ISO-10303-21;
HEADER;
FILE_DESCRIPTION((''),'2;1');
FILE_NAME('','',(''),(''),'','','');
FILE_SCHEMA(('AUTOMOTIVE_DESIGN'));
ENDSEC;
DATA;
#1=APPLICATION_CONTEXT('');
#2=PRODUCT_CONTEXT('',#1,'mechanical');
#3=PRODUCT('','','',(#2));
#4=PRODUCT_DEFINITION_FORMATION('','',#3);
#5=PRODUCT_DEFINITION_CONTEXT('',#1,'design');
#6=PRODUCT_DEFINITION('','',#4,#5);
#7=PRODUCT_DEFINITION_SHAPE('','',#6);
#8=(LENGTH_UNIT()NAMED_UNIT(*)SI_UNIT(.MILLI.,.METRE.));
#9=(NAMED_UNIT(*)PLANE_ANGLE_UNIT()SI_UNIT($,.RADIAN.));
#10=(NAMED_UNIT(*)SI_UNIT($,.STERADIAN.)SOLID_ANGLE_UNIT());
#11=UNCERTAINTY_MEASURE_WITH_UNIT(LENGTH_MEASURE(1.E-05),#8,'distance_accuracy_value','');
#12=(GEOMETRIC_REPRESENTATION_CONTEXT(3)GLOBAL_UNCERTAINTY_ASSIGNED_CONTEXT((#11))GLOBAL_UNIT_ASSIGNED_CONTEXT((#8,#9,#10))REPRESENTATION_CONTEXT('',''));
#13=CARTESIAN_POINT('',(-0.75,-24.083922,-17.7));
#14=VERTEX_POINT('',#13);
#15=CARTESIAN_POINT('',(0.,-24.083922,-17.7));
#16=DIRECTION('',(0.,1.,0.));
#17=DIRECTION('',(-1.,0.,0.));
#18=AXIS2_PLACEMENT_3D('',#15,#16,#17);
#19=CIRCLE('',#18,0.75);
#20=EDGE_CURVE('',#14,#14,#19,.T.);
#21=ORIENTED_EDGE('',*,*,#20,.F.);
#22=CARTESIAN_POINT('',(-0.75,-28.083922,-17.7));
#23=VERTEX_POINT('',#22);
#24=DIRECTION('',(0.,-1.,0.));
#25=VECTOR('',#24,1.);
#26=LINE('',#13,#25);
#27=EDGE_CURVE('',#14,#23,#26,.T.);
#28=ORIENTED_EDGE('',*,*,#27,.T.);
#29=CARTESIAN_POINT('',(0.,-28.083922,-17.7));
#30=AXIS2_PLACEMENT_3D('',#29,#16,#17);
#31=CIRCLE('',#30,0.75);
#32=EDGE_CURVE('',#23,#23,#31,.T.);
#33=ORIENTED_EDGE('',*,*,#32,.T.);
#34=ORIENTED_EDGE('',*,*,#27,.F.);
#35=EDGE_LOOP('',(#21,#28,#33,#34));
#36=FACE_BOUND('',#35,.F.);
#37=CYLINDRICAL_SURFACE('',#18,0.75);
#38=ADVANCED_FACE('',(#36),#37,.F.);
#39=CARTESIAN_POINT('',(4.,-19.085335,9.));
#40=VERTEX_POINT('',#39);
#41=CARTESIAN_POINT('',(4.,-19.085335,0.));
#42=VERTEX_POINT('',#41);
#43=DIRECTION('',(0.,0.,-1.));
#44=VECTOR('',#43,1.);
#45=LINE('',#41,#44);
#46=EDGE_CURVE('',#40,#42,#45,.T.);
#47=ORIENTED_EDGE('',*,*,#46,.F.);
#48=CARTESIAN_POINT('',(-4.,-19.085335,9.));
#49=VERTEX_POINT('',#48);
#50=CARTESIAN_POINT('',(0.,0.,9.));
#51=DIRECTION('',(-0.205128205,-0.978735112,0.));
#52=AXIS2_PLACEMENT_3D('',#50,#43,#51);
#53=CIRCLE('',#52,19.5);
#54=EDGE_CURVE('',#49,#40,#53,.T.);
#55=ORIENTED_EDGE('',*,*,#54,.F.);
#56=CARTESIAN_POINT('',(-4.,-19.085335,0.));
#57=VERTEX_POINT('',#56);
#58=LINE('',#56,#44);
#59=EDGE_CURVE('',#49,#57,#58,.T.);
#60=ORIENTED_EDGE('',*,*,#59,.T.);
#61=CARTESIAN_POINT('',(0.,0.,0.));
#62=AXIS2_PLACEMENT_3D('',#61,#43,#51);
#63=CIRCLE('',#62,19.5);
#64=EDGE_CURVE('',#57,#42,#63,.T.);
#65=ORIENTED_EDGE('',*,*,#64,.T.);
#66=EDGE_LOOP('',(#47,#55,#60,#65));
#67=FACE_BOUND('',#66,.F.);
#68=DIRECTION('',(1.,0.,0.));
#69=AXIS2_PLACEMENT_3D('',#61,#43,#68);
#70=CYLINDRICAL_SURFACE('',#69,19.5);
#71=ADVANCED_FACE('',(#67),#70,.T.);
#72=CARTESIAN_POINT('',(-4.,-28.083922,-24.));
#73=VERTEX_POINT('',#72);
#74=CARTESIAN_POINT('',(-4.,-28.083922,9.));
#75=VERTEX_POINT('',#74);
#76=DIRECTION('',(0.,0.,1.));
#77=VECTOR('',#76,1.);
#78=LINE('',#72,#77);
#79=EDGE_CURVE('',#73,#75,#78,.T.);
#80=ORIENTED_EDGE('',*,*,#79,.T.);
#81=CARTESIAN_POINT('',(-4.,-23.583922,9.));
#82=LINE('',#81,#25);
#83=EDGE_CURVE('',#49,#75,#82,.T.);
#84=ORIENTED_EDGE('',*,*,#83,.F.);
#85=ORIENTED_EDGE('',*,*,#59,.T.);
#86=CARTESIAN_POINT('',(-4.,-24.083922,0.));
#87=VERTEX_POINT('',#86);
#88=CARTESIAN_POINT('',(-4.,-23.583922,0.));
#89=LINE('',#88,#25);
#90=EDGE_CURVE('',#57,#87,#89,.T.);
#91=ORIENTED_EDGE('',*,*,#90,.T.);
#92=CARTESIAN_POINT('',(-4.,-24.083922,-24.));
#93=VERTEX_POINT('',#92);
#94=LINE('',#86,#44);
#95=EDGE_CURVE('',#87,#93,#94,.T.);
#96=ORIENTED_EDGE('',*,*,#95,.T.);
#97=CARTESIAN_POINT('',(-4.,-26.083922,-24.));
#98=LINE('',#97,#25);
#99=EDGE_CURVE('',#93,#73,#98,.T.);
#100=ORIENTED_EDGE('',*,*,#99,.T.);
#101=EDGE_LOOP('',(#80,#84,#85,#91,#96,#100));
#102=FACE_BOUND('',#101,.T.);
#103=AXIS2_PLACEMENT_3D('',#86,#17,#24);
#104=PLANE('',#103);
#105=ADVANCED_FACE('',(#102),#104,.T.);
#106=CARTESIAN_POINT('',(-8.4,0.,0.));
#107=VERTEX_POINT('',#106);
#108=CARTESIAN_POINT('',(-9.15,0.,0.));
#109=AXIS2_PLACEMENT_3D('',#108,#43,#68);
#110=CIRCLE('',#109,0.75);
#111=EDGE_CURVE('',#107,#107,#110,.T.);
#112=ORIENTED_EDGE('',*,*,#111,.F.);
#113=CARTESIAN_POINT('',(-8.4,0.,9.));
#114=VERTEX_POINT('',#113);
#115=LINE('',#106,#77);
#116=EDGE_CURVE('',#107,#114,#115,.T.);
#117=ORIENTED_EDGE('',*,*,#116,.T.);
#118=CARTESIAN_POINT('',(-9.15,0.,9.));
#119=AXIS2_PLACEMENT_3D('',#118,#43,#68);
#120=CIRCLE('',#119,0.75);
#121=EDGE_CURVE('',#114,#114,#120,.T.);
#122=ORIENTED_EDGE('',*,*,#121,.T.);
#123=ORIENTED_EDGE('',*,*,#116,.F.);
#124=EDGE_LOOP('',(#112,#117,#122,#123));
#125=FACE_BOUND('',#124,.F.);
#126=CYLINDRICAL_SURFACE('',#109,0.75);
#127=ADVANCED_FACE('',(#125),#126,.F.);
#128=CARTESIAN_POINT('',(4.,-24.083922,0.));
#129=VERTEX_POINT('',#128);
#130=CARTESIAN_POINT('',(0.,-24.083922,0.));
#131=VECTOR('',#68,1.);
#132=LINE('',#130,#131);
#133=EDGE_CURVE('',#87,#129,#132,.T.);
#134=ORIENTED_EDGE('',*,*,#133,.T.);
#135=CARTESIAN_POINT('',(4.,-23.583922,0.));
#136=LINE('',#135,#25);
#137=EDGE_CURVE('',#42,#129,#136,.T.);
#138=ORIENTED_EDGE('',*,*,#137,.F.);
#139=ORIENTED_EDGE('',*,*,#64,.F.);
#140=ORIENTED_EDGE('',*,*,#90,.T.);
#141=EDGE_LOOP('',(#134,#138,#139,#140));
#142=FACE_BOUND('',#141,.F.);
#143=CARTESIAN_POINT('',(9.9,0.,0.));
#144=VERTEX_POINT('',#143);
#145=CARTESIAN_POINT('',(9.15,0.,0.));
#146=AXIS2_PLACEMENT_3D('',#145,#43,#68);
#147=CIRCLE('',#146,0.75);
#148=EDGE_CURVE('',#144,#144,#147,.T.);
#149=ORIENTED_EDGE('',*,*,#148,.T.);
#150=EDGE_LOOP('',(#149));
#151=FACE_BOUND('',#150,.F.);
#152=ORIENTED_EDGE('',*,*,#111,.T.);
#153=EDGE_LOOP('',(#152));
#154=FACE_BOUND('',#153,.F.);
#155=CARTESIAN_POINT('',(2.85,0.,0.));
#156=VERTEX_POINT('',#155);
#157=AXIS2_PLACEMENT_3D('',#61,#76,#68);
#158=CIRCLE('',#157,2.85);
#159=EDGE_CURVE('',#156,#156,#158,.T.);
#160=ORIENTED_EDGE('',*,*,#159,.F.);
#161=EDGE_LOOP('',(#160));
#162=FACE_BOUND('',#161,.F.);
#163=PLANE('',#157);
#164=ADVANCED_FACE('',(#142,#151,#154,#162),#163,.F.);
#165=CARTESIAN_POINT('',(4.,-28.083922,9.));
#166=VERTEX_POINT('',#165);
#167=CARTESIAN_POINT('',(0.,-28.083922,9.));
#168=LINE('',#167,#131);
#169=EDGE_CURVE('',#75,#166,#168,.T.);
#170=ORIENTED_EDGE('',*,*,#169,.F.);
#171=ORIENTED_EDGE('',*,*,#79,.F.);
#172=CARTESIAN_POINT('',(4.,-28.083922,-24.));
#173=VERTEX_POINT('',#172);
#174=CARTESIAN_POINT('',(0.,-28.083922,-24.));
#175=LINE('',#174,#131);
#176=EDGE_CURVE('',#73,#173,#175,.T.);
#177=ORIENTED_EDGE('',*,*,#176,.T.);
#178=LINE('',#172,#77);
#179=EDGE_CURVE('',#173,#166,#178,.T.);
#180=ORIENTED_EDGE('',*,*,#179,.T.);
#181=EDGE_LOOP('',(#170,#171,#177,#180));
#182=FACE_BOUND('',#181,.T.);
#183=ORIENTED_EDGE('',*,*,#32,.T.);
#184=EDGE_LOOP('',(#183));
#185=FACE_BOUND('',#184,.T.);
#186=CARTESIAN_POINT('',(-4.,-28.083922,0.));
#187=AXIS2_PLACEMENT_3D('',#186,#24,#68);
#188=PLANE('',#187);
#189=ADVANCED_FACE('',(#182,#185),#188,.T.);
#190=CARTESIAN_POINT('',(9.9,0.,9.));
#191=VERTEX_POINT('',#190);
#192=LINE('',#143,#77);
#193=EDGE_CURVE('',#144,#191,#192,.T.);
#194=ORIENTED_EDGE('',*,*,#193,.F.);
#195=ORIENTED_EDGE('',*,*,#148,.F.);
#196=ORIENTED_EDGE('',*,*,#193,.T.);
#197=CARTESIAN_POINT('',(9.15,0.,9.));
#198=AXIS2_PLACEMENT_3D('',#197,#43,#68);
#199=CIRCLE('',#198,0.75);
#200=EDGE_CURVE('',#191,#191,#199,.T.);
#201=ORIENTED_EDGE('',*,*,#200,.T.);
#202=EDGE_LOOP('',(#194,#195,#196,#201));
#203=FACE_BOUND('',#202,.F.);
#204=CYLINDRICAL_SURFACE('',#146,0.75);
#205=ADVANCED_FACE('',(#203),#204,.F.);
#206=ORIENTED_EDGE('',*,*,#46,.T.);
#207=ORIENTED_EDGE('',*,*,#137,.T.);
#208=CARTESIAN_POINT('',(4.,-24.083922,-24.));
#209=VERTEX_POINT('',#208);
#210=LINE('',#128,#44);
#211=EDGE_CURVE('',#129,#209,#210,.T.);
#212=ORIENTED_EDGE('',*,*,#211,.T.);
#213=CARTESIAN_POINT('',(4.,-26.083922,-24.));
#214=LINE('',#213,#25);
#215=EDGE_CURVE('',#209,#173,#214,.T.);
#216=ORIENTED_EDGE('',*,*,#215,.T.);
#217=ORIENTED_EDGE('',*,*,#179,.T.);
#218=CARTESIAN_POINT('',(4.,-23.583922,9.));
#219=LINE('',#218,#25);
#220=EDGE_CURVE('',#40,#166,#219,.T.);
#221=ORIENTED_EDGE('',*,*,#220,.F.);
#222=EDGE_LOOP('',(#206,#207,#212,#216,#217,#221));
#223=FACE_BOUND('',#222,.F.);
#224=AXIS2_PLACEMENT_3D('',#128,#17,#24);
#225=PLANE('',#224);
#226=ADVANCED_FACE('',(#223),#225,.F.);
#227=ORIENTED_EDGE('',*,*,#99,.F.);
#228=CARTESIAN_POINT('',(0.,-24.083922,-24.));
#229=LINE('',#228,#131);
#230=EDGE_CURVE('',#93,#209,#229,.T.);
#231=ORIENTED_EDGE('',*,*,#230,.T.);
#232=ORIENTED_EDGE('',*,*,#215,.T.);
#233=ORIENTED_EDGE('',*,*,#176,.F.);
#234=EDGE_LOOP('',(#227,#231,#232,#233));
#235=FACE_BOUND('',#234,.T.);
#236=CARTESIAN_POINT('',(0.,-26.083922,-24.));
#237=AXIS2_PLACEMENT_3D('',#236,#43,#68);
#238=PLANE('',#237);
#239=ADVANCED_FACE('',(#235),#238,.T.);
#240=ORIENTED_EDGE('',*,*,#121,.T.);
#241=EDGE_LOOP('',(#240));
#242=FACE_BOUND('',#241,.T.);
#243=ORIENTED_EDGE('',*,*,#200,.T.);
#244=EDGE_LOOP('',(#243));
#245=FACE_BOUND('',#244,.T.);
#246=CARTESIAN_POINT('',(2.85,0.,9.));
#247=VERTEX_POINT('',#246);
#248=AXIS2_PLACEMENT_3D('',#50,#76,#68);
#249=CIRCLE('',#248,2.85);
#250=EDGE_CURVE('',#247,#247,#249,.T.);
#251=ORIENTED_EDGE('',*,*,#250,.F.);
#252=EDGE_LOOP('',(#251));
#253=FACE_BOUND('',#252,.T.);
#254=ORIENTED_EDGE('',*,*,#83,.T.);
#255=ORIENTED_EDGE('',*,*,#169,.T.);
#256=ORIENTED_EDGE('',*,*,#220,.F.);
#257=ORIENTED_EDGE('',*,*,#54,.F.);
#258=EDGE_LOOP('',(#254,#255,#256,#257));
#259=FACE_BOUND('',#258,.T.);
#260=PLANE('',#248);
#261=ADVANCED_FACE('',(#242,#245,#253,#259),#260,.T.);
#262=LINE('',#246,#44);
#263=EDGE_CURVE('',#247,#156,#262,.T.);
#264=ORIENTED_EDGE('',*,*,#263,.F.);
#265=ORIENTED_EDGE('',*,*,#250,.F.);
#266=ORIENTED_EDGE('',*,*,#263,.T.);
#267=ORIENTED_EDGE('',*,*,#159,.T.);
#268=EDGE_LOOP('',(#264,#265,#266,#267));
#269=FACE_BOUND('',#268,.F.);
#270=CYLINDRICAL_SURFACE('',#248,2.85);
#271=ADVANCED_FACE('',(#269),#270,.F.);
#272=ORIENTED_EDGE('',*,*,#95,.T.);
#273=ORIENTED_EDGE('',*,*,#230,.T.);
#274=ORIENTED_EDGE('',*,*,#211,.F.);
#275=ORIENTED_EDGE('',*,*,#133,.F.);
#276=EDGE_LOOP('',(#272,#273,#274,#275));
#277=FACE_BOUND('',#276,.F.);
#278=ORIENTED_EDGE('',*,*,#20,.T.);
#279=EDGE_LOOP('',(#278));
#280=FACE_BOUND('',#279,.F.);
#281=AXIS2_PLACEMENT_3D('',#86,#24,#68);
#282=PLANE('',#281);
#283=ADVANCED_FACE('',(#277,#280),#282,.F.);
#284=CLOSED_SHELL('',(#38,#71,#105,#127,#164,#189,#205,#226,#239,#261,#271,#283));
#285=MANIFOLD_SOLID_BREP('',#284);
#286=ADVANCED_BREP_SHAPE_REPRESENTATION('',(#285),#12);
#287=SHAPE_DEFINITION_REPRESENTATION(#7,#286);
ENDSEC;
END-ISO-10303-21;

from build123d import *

# Parameters (mm, degrees)
F0_R      = 19.5
F1_DEPTH  = 9
F2_R      = 2.85
F3_DEPTH  = 9.001
F4_W      = 8
F4_H      = 9
F5_DEPTH  = 9
F6_W      = 8
F6_H      = 4
F7_DEPTH  = 24
F8_R      = 0.75
F9_DEPTH  = 9.001
F10_R     = 0.75
F11_DEPTH = 4.001


with BuildPart() as f1:
    # F0 (on Top) → F1 (new body)
    with BuildSketch(Plane.XY):
        Circle(F0_R)
    extrude(amount=F1_DEPTH)

    # F2 (on face) → F3 (cut, through all)
    with BuildSketch(Plane.XY.offset(9)):
        Circle(F2_R)
    extrude(amount=-F3_DEPTH, mode=Mode.SUBTRACT)

    # F4 (on face) → F5 (join)
    with BuildSketch(Plane(origin=(0, 0, 0), x_dir=(1, 0, 0), z_dir=(0, 0, -1))):
        with Locations((0, 23.583922)):
            Rectangle(F4_W, F4_H)
    extrude(amount=-F5_DEPTH)

    # F6 (on face) → F7 (join)
    with BuildSketch(Plane(origin=(0, 0, 0), x_dir=(1, 0, 0), z_dir=(0, 0, -1))):
        with Locations((0, 26.083922)):
            Rectangle(F6_W, F6_H)
    extrude(amount=F7_DEPTH)

    # F8 (on face) → F9 (cut, through all)
    with BuildSketch(Plane(origin=(0, 0, 0), x_dir=(1, 0, 0), z_dir=(0, 0, -1))):
        with Locations((-9.15, 0)):
            Circle(F8_R)
        with Locations((9.15, 0)):
            Circle(F8_R)
    extrude(amount=-F9_DEPTH, mode=Mode.SUBTRACT)

    # F10 (on face) → F11 (cut, through all)
    with BuildSketch(Plane(origin=(0, -24.083922, 0), x_dir=(-1, 0, 0), z_dir=(0, 1, 0))):
        with Locations((0, -17.7)):
            Circle(F10_R)
    extrude(amount=-F11_DEPTH, mode=Mode.SUBTRACT)


solid = f1.part
